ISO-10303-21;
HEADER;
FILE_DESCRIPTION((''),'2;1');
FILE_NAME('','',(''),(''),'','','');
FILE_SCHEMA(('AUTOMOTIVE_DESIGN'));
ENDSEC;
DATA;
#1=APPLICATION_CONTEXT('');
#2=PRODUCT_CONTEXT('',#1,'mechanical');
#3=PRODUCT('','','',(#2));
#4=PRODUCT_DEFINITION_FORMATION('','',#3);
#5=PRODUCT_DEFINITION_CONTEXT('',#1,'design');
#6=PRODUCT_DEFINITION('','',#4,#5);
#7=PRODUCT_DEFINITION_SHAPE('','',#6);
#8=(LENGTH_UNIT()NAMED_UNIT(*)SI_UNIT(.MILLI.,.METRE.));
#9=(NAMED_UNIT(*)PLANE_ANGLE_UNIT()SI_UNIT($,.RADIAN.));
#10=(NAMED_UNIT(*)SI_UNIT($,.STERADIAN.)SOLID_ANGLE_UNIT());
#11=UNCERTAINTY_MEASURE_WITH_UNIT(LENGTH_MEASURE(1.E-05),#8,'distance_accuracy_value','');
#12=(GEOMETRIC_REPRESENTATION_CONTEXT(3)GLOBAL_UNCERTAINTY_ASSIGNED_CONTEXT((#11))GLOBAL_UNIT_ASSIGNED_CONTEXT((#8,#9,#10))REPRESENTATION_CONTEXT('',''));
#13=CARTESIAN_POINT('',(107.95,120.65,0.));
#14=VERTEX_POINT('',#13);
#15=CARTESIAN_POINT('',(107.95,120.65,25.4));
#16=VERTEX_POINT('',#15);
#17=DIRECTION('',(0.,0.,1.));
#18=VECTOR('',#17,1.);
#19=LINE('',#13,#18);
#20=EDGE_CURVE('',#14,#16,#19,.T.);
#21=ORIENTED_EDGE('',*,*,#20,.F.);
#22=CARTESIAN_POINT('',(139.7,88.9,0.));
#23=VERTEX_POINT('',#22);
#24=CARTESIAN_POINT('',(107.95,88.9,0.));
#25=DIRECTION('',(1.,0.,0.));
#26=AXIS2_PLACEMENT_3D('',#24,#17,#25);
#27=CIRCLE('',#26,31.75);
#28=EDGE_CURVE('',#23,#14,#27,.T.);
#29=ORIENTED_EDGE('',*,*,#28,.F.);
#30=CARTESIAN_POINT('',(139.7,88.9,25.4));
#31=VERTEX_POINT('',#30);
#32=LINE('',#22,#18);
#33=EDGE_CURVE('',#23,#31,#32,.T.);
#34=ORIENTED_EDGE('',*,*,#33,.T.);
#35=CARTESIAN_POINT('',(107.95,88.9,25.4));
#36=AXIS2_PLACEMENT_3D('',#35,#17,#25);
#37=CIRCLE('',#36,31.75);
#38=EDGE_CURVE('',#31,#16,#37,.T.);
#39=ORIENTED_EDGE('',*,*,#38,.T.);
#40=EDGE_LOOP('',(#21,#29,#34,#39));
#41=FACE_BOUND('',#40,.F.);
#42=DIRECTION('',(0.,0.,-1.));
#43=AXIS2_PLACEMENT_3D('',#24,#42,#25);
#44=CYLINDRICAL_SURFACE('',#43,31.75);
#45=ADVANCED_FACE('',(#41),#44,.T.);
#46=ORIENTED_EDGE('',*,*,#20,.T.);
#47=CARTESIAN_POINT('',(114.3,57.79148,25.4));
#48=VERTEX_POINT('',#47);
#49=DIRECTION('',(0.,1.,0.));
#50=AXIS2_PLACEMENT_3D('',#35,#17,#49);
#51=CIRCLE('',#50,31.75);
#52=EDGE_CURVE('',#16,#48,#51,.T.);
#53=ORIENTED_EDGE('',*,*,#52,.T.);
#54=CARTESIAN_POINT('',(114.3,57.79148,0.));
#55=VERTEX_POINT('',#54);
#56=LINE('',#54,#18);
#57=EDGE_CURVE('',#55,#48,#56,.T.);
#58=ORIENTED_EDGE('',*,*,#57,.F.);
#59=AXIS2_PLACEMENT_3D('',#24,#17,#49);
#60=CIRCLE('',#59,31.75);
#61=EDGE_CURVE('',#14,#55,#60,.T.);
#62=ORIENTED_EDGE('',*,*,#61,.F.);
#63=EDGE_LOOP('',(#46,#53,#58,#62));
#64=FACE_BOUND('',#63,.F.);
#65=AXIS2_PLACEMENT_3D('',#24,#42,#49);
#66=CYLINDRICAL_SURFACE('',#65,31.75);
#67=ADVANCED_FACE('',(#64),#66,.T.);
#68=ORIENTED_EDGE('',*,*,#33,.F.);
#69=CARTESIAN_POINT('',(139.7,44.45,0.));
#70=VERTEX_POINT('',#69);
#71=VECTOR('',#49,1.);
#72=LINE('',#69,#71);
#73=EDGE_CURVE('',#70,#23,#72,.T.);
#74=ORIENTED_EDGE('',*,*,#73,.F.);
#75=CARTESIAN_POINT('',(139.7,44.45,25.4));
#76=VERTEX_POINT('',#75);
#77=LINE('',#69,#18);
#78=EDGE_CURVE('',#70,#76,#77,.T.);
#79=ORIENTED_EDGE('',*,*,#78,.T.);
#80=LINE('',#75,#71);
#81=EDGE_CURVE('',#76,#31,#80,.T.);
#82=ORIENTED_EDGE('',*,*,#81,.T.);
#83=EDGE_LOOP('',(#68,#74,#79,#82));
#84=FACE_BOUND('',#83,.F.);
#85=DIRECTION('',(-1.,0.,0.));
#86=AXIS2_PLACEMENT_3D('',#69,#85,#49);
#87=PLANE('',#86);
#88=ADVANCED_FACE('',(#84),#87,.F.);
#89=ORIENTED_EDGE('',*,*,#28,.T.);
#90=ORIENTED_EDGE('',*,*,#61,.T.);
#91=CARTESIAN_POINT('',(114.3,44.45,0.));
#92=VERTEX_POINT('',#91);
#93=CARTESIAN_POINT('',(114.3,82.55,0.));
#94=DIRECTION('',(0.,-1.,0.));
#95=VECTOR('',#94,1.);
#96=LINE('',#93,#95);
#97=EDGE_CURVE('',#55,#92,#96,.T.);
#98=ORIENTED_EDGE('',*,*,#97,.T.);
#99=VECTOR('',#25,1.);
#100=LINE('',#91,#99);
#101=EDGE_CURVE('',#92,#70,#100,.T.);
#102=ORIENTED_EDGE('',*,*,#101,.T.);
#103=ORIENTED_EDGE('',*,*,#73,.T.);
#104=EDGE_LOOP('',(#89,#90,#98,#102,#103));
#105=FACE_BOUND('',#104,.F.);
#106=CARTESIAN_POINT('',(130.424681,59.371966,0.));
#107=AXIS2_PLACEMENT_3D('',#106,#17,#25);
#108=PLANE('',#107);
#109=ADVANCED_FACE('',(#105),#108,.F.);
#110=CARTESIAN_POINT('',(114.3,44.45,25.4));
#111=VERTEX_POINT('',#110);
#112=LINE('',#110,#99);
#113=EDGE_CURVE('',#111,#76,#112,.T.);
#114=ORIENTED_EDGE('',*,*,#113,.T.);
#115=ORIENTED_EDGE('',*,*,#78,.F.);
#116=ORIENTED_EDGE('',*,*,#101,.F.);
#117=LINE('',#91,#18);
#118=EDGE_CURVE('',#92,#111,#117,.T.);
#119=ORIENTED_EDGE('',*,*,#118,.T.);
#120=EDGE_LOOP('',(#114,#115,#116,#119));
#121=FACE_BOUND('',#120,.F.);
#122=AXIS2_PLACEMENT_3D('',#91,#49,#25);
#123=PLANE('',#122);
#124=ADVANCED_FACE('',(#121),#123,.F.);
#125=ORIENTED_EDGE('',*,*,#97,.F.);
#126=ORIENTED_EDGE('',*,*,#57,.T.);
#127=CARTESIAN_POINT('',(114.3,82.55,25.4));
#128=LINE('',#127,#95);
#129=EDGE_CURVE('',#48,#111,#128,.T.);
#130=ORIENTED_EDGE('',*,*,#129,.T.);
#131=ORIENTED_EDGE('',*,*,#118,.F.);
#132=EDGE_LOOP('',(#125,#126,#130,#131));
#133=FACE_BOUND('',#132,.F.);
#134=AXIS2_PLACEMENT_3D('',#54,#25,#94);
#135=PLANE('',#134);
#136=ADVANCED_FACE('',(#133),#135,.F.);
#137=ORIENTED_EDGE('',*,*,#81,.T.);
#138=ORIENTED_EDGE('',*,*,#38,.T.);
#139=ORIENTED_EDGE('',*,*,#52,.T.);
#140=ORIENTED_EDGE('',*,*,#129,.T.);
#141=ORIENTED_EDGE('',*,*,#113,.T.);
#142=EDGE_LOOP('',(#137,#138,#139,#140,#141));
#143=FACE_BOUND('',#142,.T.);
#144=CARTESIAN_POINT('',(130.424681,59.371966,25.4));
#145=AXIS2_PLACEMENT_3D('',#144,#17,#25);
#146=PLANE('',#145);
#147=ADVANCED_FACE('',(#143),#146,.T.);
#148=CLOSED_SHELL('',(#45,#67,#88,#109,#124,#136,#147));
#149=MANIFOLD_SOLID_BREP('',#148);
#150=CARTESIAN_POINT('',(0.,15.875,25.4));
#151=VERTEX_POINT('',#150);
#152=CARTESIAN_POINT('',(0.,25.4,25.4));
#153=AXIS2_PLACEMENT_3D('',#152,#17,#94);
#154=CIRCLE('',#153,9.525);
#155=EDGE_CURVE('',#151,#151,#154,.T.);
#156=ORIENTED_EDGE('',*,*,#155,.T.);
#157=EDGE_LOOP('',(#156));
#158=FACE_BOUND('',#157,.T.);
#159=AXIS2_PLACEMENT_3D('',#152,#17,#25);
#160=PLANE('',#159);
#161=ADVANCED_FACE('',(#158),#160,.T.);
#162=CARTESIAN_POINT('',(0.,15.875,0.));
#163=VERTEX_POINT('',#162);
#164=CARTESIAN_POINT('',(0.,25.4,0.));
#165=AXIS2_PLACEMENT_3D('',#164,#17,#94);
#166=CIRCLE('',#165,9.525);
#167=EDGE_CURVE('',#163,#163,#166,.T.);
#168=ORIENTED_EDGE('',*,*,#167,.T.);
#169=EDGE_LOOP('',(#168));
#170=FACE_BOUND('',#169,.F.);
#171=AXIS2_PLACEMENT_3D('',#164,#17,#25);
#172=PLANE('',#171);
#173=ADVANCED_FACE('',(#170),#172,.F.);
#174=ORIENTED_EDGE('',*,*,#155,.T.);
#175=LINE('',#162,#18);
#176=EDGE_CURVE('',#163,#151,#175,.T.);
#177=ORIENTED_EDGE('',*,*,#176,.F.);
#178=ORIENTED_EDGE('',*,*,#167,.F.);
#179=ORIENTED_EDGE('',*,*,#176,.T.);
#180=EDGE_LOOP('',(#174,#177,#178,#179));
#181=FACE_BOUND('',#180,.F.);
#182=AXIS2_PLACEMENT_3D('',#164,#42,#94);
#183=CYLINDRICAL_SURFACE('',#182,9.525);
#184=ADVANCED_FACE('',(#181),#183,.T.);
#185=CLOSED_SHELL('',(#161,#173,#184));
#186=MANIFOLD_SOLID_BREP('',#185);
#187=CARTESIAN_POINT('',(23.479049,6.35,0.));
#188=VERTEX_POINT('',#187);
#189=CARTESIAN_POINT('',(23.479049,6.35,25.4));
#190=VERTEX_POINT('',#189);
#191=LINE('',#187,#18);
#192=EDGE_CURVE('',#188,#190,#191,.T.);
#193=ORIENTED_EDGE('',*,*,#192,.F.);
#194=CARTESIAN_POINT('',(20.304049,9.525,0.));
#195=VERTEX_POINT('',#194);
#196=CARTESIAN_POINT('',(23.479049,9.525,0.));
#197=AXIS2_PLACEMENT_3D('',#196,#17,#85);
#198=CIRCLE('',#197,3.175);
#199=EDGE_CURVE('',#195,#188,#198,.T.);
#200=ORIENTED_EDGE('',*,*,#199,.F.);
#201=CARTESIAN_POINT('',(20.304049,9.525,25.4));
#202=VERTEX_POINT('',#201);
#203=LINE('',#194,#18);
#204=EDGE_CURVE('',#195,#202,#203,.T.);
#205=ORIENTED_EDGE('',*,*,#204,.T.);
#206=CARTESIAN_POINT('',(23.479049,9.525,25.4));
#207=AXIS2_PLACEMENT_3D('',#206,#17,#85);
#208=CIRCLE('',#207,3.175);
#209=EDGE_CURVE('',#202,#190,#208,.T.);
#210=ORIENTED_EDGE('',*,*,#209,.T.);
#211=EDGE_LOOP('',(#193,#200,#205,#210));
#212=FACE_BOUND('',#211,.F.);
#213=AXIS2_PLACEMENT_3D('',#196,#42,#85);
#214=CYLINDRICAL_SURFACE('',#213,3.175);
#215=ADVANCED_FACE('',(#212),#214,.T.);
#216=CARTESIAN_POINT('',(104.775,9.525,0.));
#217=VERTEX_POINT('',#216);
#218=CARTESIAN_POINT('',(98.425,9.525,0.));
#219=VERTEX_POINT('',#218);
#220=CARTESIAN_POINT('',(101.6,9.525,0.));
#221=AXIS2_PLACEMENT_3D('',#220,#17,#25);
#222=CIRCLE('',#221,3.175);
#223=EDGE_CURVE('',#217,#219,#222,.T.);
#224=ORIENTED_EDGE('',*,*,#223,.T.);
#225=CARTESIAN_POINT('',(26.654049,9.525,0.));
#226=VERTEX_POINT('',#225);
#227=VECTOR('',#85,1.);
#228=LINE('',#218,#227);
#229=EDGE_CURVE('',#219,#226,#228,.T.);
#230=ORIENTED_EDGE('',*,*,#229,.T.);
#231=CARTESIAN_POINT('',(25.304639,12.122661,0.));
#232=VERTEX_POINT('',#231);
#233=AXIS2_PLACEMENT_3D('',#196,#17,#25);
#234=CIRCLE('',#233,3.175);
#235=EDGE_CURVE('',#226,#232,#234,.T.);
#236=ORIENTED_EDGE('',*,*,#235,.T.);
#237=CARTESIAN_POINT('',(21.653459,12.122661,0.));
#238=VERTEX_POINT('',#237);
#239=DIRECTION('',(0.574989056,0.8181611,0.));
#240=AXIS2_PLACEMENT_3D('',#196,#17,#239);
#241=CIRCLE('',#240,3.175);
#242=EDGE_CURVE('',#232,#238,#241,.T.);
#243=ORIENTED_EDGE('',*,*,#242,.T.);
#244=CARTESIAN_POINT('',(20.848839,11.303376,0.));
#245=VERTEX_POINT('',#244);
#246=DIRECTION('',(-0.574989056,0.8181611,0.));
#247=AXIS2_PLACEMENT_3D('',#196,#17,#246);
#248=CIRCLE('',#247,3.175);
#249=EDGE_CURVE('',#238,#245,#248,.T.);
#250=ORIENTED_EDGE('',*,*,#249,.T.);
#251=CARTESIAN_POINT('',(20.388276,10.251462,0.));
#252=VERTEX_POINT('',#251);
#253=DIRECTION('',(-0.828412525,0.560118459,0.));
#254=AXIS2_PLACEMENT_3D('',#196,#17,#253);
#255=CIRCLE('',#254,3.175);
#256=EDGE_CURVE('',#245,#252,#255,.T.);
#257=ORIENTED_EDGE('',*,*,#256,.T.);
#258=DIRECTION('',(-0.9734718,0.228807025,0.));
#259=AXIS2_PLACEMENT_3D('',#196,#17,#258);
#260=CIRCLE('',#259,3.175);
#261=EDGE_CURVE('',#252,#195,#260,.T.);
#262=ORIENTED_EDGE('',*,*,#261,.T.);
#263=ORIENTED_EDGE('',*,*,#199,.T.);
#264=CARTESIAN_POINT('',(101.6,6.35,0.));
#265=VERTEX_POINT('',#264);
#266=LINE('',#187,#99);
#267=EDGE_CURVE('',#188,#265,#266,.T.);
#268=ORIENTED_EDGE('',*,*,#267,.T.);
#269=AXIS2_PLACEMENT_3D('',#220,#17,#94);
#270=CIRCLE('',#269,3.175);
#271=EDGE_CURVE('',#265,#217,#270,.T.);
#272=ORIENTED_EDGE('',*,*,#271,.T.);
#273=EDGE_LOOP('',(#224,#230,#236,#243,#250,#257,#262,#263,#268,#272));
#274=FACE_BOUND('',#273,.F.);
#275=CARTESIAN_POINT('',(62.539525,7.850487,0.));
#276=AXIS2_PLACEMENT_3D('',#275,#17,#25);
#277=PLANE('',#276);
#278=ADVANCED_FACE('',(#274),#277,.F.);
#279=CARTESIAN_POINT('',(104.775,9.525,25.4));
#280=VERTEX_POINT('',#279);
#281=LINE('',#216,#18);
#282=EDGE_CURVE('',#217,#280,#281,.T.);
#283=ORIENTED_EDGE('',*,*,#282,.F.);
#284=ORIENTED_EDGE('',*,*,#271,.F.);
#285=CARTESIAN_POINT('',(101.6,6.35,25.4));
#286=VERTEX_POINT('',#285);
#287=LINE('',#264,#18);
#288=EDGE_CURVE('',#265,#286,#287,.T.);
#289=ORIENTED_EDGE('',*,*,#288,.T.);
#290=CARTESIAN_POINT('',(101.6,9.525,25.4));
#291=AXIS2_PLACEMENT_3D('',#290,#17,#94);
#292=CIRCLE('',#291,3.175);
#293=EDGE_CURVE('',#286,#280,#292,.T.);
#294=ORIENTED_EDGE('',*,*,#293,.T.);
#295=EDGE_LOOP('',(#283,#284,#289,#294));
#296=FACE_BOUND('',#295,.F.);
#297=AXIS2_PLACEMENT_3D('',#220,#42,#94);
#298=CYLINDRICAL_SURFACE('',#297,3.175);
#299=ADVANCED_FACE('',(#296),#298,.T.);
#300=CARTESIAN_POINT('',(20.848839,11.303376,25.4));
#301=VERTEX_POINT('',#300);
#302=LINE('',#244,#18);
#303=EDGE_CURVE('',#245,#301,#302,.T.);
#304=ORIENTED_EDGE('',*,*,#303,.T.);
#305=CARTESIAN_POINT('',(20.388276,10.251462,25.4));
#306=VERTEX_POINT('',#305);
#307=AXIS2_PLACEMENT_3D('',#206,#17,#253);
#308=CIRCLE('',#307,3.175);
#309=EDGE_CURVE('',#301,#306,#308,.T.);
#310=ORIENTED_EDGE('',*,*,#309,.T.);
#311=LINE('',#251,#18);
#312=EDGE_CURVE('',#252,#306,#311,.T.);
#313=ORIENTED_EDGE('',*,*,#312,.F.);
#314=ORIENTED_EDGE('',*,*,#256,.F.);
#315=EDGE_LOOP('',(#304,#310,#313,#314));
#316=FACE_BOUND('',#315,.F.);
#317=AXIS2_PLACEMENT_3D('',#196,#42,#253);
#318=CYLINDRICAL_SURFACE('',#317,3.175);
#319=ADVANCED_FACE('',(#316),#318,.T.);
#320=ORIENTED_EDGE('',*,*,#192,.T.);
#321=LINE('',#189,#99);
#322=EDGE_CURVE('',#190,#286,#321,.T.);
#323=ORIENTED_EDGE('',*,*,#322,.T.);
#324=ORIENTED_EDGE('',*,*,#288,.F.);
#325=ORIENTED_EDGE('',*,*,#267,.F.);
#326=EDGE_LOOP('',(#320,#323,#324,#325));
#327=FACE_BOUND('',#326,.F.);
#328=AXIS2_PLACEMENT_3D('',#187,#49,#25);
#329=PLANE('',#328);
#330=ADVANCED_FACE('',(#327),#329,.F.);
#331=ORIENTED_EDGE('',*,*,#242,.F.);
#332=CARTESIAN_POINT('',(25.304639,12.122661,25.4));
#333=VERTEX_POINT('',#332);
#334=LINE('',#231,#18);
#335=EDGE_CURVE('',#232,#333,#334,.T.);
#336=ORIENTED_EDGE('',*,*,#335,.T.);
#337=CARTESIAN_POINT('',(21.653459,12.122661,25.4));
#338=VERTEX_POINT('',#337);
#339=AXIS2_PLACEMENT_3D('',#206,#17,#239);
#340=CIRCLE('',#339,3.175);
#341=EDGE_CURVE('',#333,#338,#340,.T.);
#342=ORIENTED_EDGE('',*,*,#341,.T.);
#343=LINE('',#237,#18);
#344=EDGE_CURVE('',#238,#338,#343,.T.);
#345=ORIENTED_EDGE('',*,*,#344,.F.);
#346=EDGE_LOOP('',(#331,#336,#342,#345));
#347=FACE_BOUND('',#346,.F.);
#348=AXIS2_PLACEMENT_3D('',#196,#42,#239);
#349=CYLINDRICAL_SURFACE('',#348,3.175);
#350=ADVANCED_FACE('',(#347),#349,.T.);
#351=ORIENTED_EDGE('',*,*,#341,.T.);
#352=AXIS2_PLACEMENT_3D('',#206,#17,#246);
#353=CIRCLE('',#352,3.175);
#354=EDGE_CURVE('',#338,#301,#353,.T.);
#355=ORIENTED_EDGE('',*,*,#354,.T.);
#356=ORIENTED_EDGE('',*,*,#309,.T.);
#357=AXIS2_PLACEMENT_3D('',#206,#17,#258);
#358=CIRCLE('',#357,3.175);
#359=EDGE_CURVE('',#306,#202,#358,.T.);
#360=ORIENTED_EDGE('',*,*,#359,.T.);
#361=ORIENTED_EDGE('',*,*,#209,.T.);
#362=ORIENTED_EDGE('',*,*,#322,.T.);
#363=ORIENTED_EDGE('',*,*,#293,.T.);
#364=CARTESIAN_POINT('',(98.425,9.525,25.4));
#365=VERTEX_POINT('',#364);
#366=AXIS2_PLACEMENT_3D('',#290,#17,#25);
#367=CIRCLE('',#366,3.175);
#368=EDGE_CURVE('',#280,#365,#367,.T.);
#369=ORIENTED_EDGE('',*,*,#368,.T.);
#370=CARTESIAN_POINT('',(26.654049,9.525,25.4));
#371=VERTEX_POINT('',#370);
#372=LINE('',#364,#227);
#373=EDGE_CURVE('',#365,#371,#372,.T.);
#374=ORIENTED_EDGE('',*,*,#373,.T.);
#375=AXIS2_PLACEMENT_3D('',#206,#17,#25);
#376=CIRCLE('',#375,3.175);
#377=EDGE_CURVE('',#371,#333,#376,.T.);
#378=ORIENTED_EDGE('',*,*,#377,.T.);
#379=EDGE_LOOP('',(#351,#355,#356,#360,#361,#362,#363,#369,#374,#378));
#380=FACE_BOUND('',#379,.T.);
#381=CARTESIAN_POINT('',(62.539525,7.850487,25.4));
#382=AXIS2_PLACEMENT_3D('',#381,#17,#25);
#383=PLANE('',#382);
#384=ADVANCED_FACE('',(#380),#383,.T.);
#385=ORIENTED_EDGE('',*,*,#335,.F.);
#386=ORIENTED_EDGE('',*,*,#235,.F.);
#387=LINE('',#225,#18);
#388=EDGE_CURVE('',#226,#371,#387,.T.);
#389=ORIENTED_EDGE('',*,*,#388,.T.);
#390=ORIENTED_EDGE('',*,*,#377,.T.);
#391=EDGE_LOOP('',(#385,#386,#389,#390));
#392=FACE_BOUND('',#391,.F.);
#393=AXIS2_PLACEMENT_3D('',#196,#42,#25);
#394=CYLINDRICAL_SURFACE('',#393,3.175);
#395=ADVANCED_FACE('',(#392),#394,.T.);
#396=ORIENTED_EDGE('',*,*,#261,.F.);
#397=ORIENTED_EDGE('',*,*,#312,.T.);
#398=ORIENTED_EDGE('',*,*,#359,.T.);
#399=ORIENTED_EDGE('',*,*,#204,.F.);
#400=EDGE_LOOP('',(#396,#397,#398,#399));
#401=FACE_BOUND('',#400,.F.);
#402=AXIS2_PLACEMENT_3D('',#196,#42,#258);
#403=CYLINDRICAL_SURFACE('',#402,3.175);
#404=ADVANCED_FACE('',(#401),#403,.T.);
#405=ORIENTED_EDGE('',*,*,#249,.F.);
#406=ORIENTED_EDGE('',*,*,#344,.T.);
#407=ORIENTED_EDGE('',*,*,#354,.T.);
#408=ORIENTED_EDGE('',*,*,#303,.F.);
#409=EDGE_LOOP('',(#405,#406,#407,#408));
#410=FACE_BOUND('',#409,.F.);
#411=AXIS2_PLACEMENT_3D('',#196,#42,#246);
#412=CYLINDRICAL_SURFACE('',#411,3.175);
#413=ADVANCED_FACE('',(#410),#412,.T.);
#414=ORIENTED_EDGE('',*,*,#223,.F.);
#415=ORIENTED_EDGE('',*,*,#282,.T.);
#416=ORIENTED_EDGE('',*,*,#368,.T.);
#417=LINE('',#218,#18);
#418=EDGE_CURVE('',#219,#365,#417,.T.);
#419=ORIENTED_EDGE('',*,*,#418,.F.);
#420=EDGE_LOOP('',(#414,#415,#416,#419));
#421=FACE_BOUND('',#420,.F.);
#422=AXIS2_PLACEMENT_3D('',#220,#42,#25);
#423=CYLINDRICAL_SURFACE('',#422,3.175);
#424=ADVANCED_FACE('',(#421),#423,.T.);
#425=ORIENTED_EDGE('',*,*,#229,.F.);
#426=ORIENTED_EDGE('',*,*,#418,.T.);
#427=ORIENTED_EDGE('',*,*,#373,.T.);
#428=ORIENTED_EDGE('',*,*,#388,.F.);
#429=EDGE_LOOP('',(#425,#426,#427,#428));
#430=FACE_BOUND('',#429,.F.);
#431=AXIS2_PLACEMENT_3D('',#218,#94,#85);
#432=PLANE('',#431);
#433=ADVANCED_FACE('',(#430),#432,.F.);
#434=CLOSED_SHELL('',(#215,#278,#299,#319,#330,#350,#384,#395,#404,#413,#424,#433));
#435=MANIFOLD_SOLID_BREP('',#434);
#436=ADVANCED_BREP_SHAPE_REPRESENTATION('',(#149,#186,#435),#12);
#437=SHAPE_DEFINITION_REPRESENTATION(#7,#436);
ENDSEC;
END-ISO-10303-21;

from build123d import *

# Parameters (mm, degrees)
F1_DEPTH = 25.4


with BuildPart() as f1:
    # F0 (on Top) → F1 (new body)
    with BuildSketch(Plane.XY):
        with BuildLine():
            ThreePointArc((9.525, 25.4), (-6.7351920908, 32.1351920908), (0, 15.875))
            ThreePointArc((0, 15.875), (6.7351920908, 18.6648079092), (9.525, 25.4))
        make_face()
    extrude(amount=F1_DEPTH)


with BuildPart() as f1b:
    # F0 (on Top) → F1, piece 2 (new body)
    with BuildSketch(Plane.XY):
        with BuildLine():
            Line((23.4790491443, 6.35), (101.6, 6.35))
            ThreePointArc((101.6, 6.35), (99.3549359697, 7.2799359697), (98.425, 9.525))
            Line((98.425, 9.525), (26.6540491479, 9.525))
            ThreePointArc((26.6540491479, 9.525), (25.7241131769, 7.2799359685), (23.4790491443, 6.35))
        make_face()
        with BuildLine():
            ThreePointArc((98.425, 9.525), (99.3549359697, 7.2799359697), (101.6, 6.35))
            Line((101.6, 6.35), (101.6, 9.525))
            Line((101.6, 9.525), (98.425, 9.525))
        make_face()
        with BuildLine():
            Line((101.6, 9.525), (101.6, 6.35))
            ThreePointArc((101.6, 6.35), (103.8450640303, 7.2799359697), (104.775, 9.525))
            ThreePointArc((104.775, 9.525), (101.6, 12.7), (98.425, 9.525))
            Line((98.425, 9.525), (101.6, 9.525))
        make_face()
        with BuildLine():
            ThreePointArc((20.3040491479, 9.525), (21.2339851164, 7.279935971), (23.4790491443, 6.35))
            ThreePointArc((23.4790491443, 6.35), (25.7241131769, 7.2799359685), (26.6540491479, 9.525))
            Line((26.6540491479, 9.525), (21.6534588964, 9.525))
            Line((21.6534588964, 9.525), (20.3040491479, 9.525))
        make_face()
        with BuildLine():
            ThreePointArc((20.3882761834, 10.2514623059), (20.3251761985, 9.8906643527), (20.3040491479, 9.525))
            Line((20.3040491479, 9.525), (21.6534588964, 9.525))
            Line((21.6534588964, 9.525), (21.6534588964, 12.1226614933))
            Line((21.6534588964, 12.1226614933), (21.0208675399, 11.1870618996))
            Line((21.0208675399, 11.1870618996), (20.3882761834, 10.2514623059))
        make_face()
        with BuildLine():
            Line((21.6534588964, 9.525), (26.6540491479, 9.525))
            ThreePointArc((26.6540491479, 9.525), (26.2965723553, 10.9886215275), (25.3046393994, 12.1226614933))
            Line((25.3046393994, 12.1226614933), (21.6534588964, 12.1226614933))
            Line((21.6534588964, 12.1226614933), (21.6534588964, 9.525))
        make_face()
        with BuildLine():
            ThreePointArc((20.848839381, 11.3033761082), (20.5706060051, 10.7984141058), (20.3882761834, 10.2514623059))
            Line((20.3882761834, 10.2514623059), (21.0208675399, 11.1870618996))
            Line((21.0208675399, 11.1870618996), (20.848839381, 11.3033761082))
        make_face()
        with BuildLine():
            Line((21.6534588964, 12.1226614933), (25.3046393994, 12.1226614933))
            ThreePointArc((25.3046393994, 12.1226614933), (23.4790491479, 12.7), (21.6534588964, 12.1226614933))
        make_face()
        with BuildLine():
            Line((21.0208675399, 11.1870618996), (21.6534588964, 12.1226614933))
            ThreePointArc((21.6534588964, 12.1226614933), (21.2138017913, 11.7496976005), (20.848839381, 11.3033761082))
            Line((20.848839381, 11.3033761082), (21.0208675399, 11.1870618996))
        make_face()
    extrude(amount=F1_DEPTH)


with BuildPart() as f1c:
    # F0 (on Top) → F1, piece 3 (new body)
    with BuildSketch(Plane.XY):
        with BuildLine():
            Line((114.3, 44.45), (139.7, 44.45))
            Line((139.7, 44.45), (139.7, 76.2))
            Line((139.7, 76.2), (139.7, 82.55))
            Line((139.7, 82.55), (139.0585197333, 82.55))
            ThreePointArc((139.0585197333, 82.55), (130.4006403027, 66.4493596973), (114.3, 57.7914802667))
            Line((114.3, 57.7914802667), (114.3, 44.45))
        make_face()
        with BuildLine():
            Line((139.0585197333, 82.55), (139.7, 82.55))
            Line((139.7, 82.55), (139.7, 88.9))
            ThreePointArc((139.7, 88.9), (139.5392228579, 85.7088404563), (139.0585197333, 82.55))
        make_face()
        with BuildLine():
            Line((114.3, 82.55), (114.3, 57.7914802667))
            ThreePointArc((114.3, 57.7914802667), (130.4006403027, 66.4493596973), (139.0585197333, 82.55))
            Line((139.0585197333, 82.55), (114.3, 82.55))
        make_face()
        with BuildLine():
            ThreePointArc((107.95, 120.65), (76.3607771421, 85.7088404563), (114.3, 57.7914802667))
            Line((114.3, 57.7914802667), (114.3, 82.55))
            Line((114.3, 82.55), (139.0585197333, 82.55))
            ThreePointArc((139.0585197333, 82.55), (139.5392228579, 85.7088404563), (139.7, 88.9))
            Line((139.7, 88.9), (107.95, 88.9))
            Line((107.95, 88.9), (107.95, 120.65))
        make_face()
        with BuildLine():
            Line((107.95, 88.9), (139.7, 88.9))
            ThreePointArc((139.7, 88.9), (130.4006403027, 111.3506403027), (107.95, 120.65))
            Line((107.95, 120.65), (107.95, 88.9))
        make_face()
    extrude(amount=F1_DEPTH)


solid = Compound([f1.part, f1b.part, f1c.part])
